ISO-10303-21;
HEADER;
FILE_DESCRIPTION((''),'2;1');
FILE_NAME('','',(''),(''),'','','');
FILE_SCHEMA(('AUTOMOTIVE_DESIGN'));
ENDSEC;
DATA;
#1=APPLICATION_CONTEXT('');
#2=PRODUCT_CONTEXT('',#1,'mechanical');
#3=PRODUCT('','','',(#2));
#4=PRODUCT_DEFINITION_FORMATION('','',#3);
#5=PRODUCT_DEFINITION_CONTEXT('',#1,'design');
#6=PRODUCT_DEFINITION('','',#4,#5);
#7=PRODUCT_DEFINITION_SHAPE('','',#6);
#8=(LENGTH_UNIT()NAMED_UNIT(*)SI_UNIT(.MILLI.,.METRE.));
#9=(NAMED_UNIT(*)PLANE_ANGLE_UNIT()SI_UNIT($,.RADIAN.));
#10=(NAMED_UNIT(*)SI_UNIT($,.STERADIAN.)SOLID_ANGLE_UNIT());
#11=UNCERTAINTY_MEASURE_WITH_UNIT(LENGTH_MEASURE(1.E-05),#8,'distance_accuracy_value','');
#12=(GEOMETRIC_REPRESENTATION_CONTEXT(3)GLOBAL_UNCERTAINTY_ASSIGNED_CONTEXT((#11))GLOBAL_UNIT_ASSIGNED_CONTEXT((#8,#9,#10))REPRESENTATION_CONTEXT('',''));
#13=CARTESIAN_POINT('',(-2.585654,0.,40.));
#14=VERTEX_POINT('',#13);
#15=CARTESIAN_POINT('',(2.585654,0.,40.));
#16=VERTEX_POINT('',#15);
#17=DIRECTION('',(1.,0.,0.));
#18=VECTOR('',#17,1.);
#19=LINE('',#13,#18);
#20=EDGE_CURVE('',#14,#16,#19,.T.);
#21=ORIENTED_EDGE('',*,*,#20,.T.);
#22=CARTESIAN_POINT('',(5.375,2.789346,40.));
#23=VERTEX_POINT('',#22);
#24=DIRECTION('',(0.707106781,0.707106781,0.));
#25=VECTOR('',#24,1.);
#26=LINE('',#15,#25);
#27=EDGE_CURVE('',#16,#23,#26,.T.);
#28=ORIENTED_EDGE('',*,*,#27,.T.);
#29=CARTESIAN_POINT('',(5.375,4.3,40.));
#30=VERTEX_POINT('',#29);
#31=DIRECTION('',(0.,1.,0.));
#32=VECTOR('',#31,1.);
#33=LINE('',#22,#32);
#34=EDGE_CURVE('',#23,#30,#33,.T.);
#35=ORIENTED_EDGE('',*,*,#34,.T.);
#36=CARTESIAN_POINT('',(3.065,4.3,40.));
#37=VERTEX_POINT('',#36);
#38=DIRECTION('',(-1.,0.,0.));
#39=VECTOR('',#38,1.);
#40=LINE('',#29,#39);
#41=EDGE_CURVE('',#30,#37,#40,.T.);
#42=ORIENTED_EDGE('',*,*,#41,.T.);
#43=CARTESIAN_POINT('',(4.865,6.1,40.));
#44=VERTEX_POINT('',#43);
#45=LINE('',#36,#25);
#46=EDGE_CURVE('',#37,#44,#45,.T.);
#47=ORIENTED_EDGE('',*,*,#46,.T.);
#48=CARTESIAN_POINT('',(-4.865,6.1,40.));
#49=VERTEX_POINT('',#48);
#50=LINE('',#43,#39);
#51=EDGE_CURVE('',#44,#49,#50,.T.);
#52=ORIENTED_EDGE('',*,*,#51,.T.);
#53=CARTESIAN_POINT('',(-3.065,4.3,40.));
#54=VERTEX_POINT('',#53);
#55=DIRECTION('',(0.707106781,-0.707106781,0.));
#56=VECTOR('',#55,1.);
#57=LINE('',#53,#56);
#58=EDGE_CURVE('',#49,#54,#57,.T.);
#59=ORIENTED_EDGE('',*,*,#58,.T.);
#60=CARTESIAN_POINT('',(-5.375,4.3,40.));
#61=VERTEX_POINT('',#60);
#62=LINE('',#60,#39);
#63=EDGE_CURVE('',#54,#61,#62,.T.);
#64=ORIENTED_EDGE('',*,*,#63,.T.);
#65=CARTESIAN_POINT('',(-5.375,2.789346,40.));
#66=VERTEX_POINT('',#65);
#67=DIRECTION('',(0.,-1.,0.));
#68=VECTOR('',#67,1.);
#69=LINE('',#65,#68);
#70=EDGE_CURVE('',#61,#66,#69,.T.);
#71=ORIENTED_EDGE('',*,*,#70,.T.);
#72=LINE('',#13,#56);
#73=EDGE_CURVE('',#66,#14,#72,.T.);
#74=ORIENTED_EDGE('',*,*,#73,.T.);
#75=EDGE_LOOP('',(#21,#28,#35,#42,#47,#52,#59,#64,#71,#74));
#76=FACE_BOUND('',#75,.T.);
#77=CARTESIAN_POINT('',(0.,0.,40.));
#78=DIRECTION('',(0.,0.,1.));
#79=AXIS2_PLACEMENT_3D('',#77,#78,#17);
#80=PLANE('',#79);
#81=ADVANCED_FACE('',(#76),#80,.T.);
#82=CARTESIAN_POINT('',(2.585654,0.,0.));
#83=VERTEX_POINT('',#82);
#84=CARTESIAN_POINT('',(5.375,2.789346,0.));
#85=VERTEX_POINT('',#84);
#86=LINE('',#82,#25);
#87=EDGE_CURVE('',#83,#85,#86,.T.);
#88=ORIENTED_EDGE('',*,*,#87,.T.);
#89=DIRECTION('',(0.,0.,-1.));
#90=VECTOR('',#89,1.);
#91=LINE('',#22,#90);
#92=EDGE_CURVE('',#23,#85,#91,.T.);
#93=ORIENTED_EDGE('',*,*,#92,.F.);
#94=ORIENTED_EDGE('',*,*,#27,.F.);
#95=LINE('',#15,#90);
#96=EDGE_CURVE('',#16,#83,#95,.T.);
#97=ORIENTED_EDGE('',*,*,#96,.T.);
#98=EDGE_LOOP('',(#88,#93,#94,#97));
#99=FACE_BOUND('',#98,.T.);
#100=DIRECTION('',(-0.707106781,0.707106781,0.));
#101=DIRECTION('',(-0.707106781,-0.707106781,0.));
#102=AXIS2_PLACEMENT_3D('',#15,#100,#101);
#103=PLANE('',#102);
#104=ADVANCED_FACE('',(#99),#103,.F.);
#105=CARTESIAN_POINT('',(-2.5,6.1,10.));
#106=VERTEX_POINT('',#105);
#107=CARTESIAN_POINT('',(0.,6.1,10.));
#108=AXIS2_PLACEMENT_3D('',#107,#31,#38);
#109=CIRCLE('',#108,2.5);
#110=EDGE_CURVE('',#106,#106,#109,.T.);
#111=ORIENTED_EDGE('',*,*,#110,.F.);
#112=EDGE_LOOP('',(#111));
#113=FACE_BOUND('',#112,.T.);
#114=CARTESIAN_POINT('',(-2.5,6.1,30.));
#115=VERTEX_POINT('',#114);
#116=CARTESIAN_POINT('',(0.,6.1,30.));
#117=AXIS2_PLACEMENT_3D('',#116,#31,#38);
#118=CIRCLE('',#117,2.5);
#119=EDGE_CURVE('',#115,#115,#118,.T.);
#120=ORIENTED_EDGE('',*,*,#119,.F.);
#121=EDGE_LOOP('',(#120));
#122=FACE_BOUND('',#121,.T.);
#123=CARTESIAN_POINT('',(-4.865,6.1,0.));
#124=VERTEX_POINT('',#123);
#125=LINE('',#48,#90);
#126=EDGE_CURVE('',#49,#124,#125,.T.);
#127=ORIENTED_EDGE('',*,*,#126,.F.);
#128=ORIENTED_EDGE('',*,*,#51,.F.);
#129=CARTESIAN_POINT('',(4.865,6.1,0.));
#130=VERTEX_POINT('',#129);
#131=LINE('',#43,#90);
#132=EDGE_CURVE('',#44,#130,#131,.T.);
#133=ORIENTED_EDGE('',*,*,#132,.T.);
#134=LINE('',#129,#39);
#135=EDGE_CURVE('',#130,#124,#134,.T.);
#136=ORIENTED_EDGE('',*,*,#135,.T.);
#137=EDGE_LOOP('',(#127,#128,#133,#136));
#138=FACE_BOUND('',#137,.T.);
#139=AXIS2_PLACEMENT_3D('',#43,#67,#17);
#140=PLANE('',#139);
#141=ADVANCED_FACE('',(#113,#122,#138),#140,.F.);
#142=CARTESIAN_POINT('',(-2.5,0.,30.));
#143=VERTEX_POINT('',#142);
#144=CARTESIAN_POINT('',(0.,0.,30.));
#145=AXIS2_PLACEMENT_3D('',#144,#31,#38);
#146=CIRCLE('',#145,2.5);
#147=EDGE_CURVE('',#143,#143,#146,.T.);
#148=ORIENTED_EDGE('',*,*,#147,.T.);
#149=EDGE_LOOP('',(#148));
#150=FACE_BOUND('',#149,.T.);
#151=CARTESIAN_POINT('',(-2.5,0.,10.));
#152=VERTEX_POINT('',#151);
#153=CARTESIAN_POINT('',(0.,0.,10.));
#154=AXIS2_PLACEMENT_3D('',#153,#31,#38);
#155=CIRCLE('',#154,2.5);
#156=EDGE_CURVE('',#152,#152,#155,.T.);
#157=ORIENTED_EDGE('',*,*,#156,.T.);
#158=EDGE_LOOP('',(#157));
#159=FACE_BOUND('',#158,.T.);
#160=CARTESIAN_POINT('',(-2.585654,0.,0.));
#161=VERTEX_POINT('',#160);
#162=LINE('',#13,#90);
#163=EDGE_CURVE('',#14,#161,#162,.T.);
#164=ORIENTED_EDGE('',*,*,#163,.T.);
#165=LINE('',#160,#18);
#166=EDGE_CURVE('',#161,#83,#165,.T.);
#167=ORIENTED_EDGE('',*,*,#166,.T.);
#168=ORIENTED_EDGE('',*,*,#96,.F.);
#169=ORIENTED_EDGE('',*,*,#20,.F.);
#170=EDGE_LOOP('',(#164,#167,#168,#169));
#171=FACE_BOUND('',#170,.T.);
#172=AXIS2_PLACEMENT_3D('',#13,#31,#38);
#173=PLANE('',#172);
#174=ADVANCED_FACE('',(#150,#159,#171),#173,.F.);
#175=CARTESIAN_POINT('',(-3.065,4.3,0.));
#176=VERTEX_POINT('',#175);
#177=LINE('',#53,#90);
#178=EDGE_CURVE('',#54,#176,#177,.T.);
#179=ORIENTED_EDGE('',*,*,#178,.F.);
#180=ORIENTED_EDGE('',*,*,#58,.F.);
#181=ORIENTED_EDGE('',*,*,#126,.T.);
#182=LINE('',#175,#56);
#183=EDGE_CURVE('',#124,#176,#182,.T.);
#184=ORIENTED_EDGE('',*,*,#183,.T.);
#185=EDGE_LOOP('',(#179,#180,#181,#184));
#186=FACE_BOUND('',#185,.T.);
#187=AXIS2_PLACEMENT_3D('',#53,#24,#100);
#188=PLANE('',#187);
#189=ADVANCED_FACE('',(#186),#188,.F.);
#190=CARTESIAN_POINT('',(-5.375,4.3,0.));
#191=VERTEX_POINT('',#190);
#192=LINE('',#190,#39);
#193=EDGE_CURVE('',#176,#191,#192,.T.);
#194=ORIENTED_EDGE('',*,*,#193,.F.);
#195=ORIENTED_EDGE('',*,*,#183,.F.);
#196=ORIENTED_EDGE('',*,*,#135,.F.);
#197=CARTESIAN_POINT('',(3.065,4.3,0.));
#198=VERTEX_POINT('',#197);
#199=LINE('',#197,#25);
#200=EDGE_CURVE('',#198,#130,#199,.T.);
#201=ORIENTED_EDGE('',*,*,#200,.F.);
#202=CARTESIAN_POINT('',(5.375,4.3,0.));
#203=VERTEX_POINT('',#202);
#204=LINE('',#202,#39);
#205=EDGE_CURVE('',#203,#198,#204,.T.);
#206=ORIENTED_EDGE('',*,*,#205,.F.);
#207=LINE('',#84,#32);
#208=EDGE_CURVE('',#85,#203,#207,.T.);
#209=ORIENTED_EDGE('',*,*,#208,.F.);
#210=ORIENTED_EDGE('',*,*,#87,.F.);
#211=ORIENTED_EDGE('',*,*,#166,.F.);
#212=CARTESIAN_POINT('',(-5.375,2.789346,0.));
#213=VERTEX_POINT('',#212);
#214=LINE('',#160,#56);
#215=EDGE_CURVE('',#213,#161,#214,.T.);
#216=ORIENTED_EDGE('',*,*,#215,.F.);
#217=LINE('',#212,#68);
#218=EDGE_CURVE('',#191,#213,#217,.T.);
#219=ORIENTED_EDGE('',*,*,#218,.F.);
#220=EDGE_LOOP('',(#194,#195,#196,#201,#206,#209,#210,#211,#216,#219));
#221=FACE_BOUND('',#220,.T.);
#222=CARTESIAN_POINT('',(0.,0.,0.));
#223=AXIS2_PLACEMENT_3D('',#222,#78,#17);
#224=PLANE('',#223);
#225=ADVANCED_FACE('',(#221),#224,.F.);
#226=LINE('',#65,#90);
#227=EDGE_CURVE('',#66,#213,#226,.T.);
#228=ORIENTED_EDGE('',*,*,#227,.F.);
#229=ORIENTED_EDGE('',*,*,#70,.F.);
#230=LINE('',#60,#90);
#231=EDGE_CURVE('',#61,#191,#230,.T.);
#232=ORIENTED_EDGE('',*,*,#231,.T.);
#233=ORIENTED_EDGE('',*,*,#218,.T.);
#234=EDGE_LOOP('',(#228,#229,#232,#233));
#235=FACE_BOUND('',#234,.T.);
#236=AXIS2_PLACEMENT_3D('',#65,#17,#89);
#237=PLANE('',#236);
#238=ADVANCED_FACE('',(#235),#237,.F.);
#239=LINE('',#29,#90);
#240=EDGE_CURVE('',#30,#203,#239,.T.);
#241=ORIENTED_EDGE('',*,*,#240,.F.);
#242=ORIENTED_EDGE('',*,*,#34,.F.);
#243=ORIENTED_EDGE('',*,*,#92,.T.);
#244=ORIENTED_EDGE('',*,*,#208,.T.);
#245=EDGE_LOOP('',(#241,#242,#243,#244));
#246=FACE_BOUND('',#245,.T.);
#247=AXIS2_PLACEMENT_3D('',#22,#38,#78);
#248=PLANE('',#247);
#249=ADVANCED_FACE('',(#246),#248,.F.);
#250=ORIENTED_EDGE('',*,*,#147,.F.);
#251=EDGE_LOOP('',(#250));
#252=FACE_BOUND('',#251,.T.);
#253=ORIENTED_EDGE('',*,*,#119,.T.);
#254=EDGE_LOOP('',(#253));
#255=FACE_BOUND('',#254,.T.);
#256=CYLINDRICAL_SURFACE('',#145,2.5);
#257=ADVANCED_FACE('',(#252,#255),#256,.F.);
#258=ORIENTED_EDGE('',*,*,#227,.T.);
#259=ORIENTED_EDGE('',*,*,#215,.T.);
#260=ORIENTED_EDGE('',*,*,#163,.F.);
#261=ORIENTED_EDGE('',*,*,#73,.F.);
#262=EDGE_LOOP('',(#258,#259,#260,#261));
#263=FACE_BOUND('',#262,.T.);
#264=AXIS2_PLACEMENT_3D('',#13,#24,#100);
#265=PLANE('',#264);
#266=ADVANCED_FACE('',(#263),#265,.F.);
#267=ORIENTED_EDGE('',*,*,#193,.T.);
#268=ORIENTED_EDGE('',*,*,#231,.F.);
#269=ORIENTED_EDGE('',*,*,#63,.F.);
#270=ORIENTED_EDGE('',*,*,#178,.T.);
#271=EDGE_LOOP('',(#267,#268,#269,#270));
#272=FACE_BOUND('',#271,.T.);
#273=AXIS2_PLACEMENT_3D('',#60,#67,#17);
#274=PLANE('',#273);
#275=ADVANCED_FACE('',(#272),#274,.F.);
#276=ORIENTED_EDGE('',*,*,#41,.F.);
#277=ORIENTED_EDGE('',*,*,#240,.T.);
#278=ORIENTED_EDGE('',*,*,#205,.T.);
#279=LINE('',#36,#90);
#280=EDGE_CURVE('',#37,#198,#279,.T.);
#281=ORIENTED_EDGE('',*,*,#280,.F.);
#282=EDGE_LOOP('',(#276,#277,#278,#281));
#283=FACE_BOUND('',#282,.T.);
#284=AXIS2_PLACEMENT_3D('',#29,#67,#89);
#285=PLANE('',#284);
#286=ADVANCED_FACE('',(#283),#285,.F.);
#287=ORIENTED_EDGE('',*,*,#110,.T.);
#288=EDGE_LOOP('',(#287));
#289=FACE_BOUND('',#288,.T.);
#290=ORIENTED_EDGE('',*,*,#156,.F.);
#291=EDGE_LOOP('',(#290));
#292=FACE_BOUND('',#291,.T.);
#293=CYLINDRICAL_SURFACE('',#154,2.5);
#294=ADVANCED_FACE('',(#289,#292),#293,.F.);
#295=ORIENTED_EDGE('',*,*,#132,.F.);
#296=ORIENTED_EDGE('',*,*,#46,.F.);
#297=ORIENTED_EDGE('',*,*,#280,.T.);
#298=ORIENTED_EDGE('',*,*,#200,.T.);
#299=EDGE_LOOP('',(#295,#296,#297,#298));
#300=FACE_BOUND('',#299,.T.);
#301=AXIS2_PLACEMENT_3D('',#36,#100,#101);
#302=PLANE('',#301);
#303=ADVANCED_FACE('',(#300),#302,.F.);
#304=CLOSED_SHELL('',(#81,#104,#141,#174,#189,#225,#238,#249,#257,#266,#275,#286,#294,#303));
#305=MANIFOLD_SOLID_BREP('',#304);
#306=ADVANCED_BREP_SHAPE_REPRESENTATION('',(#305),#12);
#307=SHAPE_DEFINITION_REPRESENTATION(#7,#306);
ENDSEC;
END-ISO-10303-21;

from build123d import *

# Parameters (mm, degrees)
BOSS_EXTRUDE1_DEPTH = 40
SKETCH2_R           = 2.5
CUT_EXTRUDE1_DEPTH  = 7.1


with BuildPart() as part:
    # Sketch1 → Boss-Extrude1 (new body)
    with BuildSketch(Plane.XY):
        Polygon((-2.585653528, 0), (2.585653528, 0), (5.375, 2.789346472), (5.375, 4.3), (3.065, 4.3), (4.865, 6.1), (-4.865, 6.1), (-3.065, 4.3), (-5.375, 4.3), (-5.375, 2.789346472), align=None)
    extrude(amount=BOSS_EXTRUDE1_DEPTH)

    # Sketch2 → Cut-Extrude1 (cut, through all)
    with BuildSketch(Plane(origin=(0, 6.1, 0), x_dir=(1, 0, 0), z_dir=(0, 1, 0))):
        with Locations((0, -30)):
            Circle(SKETCH2_R)
        with Locations((0, -10)):
            Circle(SKETCH2_R)
    extrude(amount=-CUT_EXTRUDE1_DEPTH, mode=Mode.SUBTRACT)


solid = part.part
